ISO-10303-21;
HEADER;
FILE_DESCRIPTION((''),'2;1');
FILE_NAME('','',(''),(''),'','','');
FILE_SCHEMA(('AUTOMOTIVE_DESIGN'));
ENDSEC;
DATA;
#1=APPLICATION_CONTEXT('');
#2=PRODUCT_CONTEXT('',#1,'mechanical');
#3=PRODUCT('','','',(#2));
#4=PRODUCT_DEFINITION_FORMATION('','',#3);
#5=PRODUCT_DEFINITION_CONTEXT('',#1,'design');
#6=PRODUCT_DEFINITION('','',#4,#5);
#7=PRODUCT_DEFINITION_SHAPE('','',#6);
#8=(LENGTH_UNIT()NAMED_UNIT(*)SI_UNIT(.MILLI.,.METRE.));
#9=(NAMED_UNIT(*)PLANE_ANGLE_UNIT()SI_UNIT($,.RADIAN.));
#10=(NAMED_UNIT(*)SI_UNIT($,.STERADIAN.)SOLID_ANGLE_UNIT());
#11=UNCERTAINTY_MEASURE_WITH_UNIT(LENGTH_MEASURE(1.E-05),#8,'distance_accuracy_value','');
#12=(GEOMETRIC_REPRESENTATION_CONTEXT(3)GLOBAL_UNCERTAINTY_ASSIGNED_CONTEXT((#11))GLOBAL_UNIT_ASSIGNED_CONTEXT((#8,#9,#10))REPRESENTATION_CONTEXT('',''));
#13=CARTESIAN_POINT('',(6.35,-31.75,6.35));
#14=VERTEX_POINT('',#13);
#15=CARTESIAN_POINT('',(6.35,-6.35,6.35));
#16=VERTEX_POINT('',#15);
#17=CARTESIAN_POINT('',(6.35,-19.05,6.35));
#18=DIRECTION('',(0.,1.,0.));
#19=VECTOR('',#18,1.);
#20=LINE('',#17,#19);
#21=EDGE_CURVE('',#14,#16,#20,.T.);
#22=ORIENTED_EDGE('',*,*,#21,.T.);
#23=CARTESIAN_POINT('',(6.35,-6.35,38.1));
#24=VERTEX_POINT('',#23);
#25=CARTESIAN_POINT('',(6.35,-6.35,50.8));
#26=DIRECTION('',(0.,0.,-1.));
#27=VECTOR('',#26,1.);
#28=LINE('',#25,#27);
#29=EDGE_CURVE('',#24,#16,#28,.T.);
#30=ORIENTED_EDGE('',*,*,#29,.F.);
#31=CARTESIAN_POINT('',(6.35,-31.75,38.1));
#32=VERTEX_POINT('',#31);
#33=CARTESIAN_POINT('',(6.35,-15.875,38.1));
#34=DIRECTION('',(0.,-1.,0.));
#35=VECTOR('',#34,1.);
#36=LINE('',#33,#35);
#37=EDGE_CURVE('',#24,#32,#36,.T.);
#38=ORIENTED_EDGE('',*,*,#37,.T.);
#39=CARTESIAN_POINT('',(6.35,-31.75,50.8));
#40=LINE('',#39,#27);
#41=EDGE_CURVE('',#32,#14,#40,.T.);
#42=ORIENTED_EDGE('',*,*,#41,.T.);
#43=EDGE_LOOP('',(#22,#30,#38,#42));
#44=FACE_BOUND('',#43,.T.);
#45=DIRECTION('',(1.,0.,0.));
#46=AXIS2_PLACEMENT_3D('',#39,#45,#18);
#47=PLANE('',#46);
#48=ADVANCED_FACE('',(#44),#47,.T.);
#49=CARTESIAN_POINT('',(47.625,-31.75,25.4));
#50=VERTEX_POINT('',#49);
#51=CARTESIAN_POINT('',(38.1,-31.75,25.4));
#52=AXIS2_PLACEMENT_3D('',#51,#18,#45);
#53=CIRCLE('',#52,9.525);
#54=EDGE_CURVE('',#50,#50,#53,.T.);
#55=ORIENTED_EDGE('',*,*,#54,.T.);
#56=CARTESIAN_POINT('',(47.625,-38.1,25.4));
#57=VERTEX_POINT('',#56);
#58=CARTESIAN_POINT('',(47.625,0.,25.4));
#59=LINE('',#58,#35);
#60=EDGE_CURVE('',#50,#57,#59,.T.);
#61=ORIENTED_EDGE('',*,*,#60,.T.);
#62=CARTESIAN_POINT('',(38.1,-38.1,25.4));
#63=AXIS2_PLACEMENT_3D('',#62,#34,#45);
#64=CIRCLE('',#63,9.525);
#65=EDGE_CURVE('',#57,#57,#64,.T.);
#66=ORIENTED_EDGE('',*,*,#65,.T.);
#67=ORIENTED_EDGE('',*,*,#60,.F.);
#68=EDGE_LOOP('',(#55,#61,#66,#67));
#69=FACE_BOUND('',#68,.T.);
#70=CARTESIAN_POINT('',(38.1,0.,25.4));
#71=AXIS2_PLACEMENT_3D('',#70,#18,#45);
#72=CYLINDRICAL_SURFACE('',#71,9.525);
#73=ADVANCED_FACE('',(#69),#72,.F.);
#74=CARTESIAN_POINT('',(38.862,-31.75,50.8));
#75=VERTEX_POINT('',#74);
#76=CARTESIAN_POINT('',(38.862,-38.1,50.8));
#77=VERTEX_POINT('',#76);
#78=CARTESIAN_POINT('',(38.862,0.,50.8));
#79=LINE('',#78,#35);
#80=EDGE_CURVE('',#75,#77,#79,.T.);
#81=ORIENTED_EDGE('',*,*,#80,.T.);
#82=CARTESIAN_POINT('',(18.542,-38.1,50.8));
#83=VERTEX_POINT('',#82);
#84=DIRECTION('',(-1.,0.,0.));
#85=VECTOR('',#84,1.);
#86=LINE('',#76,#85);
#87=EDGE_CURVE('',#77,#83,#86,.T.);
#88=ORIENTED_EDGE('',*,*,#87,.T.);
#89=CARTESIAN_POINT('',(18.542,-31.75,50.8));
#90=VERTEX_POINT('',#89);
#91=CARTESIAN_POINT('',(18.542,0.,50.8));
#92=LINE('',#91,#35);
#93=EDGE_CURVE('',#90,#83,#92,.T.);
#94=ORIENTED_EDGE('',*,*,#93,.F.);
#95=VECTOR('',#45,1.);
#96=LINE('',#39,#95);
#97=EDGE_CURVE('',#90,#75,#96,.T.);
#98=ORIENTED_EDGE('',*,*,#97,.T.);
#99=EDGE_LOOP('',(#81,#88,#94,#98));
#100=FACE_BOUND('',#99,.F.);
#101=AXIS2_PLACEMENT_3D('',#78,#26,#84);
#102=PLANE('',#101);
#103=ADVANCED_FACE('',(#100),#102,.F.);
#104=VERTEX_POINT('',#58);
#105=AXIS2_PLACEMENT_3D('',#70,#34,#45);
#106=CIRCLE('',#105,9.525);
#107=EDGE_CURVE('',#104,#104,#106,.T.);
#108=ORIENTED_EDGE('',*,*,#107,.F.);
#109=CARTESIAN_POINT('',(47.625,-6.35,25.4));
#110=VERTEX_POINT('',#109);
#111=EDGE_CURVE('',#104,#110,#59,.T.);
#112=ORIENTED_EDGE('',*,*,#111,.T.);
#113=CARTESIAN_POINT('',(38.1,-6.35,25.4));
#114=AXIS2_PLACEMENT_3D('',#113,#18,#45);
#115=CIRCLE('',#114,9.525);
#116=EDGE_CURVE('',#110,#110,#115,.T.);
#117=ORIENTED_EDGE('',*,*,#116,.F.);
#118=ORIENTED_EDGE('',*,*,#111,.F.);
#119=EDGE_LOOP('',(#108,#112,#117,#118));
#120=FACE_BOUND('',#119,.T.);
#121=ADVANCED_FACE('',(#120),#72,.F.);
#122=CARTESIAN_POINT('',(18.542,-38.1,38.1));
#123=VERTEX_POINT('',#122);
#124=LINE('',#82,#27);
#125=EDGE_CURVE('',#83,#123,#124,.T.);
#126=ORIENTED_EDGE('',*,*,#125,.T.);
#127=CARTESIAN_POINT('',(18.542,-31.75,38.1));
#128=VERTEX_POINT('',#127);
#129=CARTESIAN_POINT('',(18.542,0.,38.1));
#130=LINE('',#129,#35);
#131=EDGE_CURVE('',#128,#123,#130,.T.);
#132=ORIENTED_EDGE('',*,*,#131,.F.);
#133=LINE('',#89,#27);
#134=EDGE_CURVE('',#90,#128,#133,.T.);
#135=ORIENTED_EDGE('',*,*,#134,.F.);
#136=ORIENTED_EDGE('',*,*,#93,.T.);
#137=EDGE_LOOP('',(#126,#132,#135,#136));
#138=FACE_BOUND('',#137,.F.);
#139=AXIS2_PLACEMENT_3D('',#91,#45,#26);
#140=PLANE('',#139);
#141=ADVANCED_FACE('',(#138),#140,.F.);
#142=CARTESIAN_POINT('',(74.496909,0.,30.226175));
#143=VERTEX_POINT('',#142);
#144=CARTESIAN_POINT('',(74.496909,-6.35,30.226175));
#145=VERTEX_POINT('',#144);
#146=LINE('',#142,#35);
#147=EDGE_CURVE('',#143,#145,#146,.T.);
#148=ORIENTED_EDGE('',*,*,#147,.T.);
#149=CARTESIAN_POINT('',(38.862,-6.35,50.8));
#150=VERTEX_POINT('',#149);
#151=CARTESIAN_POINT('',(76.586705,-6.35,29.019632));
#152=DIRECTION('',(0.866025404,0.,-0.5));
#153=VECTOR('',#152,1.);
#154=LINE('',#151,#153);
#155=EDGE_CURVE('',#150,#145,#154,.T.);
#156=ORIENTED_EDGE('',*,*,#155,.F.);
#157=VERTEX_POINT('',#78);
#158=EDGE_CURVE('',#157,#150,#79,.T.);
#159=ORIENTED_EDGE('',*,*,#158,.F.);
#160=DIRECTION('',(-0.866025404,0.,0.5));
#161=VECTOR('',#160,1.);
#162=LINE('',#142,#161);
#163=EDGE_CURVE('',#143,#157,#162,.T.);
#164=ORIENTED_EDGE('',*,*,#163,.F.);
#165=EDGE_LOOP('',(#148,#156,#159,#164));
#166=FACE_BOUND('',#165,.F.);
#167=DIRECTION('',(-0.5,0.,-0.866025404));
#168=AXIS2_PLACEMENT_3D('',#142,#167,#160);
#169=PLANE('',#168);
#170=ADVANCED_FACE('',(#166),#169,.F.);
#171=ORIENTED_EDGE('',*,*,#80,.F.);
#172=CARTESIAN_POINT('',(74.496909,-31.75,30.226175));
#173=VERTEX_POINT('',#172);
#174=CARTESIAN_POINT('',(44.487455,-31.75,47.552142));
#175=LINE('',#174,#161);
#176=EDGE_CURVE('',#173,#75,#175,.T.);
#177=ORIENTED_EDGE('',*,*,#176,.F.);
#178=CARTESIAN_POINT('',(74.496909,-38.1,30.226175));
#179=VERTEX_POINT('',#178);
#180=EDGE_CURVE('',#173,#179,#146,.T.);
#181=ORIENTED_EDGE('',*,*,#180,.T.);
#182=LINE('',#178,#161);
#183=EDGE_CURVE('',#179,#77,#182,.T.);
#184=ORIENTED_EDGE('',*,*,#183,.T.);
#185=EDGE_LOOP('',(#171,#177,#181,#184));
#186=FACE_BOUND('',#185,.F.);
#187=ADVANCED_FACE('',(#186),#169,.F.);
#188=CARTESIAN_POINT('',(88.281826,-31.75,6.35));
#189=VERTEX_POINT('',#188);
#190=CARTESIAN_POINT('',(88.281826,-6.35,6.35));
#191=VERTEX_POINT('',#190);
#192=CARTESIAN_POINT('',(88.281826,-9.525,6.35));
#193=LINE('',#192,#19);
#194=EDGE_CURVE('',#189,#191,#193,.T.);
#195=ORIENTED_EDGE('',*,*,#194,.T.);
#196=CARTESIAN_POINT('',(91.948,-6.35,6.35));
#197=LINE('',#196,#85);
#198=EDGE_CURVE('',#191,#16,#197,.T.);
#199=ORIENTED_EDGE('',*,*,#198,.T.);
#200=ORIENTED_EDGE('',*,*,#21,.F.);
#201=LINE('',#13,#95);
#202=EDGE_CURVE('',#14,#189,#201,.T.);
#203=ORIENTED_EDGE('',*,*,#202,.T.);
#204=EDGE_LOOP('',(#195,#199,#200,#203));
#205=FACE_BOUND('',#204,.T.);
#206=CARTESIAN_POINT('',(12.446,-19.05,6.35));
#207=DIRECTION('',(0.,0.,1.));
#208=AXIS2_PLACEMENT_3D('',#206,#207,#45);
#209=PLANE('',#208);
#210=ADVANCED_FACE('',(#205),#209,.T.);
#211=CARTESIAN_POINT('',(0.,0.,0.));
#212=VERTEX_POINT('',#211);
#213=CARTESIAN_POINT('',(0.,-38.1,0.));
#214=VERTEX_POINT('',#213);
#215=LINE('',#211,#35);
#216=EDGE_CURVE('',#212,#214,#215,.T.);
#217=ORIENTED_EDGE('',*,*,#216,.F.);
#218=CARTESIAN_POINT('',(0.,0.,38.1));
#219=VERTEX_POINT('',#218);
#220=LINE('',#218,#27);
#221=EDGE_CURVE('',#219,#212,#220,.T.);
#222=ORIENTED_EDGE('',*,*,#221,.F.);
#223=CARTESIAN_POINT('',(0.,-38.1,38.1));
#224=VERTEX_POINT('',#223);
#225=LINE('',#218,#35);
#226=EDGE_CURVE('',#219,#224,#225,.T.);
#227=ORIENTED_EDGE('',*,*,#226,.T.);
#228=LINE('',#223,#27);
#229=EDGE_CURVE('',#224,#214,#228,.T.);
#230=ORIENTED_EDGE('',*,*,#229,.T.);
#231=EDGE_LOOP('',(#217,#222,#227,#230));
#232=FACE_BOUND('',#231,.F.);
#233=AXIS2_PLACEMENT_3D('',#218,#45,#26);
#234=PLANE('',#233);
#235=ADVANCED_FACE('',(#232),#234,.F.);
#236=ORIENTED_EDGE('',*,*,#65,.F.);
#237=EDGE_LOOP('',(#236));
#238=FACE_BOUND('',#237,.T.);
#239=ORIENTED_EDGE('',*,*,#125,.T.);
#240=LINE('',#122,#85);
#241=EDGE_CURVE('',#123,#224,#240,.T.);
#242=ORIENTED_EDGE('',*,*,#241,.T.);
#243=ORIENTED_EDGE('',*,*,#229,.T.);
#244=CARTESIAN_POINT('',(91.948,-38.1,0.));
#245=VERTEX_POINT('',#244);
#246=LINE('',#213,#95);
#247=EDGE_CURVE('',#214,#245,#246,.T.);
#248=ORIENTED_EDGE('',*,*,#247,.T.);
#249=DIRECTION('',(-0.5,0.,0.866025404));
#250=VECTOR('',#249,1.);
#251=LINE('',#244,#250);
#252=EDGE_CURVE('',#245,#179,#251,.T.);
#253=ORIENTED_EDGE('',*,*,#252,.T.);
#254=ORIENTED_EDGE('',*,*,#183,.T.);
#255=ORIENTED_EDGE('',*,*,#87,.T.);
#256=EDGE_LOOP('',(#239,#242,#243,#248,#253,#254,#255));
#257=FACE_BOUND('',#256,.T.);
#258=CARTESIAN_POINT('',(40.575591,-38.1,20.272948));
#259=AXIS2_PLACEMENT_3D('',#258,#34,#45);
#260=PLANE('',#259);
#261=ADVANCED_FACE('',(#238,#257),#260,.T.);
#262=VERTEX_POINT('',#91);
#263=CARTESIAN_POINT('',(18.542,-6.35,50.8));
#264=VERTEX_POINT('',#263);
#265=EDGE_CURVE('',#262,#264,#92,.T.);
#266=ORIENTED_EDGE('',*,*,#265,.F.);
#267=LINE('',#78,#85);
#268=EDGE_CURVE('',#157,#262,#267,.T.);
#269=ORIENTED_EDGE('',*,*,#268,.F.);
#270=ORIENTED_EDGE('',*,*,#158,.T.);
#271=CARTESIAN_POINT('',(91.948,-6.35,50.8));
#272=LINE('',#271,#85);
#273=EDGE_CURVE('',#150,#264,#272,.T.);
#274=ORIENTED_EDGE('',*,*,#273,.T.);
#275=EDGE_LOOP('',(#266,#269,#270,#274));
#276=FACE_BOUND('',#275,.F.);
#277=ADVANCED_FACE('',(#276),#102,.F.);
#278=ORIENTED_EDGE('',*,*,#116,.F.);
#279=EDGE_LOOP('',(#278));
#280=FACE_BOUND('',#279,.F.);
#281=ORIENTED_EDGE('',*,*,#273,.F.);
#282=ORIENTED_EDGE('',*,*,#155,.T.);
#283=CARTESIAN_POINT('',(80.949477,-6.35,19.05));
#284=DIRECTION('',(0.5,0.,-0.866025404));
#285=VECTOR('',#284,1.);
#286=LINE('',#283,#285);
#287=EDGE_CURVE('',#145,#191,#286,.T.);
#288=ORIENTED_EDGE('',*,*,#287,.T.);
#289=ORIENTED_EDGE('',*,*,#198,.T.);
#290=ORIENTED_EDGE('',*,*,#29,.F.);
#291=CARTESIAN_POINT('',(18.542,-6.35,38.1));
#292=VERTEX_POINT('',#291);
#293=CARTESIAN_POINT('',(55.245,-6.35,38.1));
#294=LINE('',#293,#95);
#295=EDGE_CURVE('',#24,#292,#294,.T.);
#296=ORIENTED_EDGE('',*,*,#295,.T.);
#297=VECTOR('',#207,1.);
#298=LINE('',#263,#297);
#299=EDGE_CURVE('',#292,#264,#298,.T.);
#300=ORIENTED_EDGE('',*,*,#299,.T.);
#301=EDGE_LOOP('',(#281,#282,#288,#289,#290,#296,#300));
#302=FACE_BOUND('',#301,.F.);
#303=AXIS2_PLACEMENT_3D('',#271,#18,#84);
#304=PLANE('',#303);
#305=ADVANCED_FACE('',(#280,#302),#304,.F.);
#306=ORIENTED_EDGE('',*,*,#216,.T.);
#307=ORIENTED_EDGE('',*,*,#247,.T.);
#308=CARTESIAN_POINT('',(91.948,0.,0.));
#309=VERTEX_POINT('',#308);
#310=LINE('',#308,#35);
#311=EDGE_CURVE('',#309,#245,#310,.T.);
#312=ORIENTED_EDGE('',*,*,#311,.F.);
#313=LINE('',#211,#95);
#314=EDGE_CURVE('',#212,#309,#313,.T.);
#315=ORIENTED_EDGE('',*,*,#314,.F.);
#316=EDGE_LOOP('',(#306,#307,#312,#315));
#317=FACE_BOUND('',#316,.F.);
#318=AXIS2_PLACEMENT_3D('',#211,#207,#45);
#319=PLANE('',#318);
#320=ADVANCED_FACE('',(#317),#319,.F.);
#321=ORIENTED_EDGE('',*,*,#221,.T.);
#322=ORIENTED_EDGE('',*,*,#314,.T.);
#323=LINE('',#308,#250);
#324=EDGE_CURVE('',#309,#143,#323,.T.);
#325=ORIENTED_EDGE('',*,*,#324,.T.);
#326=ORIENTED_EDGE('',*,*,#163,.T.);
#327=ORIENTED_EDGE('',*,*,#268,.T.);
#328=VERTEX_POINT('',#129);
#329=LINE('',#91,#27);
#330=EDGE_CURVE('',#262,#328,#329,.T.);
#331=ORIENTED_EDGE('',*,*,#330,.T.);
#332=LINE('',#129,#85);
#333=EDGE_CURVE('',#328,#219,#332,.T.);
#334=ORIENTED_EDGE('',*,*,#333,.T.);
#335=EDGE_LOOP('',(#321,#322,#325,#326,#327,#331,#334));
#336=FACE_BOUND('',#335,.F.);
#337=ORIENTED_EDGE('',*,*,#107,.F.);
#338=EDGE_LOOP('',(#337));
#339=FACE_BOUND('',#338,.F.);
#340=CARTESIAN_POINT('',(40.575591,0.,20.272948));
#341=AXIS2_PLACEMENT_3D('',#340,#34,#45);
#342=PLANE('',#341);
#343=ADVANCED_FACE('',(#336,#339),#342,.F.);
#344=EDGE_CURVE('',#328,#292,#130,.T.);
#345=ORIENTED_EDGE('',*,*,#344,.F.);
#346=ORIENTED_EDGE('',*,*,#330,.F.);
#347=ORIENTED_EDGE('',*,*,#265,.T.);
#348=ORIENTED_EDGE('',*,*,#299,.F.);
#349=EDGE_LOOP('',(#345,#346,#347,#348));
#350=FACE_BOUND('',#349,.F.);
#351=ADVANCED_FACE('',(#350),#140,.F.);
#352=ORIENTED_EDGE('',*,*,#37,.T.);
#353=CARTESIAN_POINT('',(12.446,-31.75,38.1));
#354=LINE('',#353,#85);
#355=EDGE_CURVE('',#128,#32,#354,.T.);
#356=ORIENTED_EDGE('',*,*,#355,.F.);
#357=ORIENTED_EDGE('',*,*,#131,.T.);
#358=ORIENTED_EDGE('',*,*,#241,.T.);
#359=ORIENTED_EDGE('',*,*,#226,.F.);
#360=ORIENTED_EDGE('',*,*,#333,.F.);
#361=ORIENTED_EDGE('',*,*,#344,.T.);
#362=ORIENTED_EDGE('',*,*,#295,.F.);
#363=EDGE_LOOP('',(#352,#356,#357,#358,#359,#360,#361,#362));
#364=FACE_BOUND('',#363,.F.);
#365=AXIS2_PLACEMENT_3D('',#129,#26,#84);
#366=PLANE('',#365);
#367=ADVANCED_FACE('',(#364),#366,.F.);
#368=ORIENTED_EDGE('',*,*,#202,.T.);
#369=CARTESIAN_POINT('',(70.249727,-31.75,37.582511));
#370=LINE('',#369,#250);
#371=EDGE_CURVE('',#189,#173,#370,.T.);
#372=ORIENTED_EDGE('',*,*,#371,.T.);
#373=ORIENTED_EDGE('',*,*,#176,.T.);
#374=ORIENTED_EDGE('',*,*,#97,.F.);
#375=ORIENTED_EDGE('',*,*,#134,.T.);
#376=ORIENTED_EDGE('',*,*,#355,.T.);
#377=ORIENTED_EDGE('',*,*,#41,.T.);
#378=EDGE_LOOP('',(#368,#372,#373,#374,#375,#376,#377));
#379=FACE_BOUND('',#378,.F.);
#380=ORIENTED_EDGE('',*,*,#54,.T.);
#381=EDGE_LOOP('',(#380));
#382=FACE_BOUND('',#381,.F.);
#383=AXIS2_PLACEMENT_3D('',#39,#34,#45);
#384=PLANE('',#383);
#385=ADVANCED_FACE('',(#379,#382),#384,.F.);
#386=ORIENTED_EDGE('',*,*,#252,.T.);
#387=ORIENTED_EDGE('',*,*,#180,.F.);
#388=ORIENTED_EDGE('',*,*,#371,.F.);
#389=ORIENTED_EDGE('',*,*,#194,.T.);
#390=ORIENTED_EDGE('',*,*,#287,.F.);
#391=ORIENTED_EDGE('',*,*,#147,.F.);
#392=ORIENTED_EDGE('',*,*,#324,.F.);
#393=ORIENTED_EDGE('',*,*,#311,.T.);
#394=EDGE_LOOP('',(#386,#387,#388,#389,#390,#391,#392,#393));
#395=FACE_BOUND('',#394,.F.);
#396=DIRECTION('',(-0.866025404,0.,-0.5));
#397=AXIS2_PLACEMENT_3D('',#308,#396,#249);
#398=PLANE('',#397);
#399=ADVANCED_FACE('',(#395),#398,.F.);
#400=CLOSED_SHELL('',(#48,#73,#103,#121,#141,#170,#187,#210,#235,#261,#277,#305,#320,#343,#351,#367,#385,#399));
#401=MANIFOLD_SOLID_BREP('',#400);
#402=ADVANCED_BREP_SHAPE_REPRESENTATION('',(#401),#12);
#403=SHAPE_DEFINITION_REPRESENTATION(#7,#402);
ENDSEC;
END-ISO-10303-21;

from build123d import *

# Parameters (mm, degrees)
F0_R     = 9.525
F1_DEPTH = 38.1
F2_W     = 12.192
F2_H     = 25.4
F2_W_2   = 20.32
F2_W_3   = 53.086
F3_DEPTH = 44.45


with BuildPart() as f1:
    # F0 (on Front) → F1 (new body)
    with BuildSketch(Plane.XZ):
        Polygon((0, 38.1), (0, 0), (91.948, 0), (74.4969094878, 30.2261754147), (38.862, 50.8), (18.542, 50.8), (18.542, 38.1), align=None)
        with Locations((38.1, 25.4)):
            Circle(F0_R, mode=Mode.SUBTRACT)
    extrude(amount=F1_DEPTH)

    # F2 (on face) → F3 (cut)
    with BuildSketch(Plane.XY.offset(50.8)):
        with Locations((12.446, -19.05)):
            Rectangle(F2_W, F2_H)
        with Locations((28.702, -19.05)):
            Rectangle(F2_W_2, F2_H)
        with Locations((65.405, -19.05)):
            Rectangle(F2_W_3, F2_H)
    extrude(amount=-F3_DEPTH, mode=Mode.SUBTRACT)


solid = f1.part
